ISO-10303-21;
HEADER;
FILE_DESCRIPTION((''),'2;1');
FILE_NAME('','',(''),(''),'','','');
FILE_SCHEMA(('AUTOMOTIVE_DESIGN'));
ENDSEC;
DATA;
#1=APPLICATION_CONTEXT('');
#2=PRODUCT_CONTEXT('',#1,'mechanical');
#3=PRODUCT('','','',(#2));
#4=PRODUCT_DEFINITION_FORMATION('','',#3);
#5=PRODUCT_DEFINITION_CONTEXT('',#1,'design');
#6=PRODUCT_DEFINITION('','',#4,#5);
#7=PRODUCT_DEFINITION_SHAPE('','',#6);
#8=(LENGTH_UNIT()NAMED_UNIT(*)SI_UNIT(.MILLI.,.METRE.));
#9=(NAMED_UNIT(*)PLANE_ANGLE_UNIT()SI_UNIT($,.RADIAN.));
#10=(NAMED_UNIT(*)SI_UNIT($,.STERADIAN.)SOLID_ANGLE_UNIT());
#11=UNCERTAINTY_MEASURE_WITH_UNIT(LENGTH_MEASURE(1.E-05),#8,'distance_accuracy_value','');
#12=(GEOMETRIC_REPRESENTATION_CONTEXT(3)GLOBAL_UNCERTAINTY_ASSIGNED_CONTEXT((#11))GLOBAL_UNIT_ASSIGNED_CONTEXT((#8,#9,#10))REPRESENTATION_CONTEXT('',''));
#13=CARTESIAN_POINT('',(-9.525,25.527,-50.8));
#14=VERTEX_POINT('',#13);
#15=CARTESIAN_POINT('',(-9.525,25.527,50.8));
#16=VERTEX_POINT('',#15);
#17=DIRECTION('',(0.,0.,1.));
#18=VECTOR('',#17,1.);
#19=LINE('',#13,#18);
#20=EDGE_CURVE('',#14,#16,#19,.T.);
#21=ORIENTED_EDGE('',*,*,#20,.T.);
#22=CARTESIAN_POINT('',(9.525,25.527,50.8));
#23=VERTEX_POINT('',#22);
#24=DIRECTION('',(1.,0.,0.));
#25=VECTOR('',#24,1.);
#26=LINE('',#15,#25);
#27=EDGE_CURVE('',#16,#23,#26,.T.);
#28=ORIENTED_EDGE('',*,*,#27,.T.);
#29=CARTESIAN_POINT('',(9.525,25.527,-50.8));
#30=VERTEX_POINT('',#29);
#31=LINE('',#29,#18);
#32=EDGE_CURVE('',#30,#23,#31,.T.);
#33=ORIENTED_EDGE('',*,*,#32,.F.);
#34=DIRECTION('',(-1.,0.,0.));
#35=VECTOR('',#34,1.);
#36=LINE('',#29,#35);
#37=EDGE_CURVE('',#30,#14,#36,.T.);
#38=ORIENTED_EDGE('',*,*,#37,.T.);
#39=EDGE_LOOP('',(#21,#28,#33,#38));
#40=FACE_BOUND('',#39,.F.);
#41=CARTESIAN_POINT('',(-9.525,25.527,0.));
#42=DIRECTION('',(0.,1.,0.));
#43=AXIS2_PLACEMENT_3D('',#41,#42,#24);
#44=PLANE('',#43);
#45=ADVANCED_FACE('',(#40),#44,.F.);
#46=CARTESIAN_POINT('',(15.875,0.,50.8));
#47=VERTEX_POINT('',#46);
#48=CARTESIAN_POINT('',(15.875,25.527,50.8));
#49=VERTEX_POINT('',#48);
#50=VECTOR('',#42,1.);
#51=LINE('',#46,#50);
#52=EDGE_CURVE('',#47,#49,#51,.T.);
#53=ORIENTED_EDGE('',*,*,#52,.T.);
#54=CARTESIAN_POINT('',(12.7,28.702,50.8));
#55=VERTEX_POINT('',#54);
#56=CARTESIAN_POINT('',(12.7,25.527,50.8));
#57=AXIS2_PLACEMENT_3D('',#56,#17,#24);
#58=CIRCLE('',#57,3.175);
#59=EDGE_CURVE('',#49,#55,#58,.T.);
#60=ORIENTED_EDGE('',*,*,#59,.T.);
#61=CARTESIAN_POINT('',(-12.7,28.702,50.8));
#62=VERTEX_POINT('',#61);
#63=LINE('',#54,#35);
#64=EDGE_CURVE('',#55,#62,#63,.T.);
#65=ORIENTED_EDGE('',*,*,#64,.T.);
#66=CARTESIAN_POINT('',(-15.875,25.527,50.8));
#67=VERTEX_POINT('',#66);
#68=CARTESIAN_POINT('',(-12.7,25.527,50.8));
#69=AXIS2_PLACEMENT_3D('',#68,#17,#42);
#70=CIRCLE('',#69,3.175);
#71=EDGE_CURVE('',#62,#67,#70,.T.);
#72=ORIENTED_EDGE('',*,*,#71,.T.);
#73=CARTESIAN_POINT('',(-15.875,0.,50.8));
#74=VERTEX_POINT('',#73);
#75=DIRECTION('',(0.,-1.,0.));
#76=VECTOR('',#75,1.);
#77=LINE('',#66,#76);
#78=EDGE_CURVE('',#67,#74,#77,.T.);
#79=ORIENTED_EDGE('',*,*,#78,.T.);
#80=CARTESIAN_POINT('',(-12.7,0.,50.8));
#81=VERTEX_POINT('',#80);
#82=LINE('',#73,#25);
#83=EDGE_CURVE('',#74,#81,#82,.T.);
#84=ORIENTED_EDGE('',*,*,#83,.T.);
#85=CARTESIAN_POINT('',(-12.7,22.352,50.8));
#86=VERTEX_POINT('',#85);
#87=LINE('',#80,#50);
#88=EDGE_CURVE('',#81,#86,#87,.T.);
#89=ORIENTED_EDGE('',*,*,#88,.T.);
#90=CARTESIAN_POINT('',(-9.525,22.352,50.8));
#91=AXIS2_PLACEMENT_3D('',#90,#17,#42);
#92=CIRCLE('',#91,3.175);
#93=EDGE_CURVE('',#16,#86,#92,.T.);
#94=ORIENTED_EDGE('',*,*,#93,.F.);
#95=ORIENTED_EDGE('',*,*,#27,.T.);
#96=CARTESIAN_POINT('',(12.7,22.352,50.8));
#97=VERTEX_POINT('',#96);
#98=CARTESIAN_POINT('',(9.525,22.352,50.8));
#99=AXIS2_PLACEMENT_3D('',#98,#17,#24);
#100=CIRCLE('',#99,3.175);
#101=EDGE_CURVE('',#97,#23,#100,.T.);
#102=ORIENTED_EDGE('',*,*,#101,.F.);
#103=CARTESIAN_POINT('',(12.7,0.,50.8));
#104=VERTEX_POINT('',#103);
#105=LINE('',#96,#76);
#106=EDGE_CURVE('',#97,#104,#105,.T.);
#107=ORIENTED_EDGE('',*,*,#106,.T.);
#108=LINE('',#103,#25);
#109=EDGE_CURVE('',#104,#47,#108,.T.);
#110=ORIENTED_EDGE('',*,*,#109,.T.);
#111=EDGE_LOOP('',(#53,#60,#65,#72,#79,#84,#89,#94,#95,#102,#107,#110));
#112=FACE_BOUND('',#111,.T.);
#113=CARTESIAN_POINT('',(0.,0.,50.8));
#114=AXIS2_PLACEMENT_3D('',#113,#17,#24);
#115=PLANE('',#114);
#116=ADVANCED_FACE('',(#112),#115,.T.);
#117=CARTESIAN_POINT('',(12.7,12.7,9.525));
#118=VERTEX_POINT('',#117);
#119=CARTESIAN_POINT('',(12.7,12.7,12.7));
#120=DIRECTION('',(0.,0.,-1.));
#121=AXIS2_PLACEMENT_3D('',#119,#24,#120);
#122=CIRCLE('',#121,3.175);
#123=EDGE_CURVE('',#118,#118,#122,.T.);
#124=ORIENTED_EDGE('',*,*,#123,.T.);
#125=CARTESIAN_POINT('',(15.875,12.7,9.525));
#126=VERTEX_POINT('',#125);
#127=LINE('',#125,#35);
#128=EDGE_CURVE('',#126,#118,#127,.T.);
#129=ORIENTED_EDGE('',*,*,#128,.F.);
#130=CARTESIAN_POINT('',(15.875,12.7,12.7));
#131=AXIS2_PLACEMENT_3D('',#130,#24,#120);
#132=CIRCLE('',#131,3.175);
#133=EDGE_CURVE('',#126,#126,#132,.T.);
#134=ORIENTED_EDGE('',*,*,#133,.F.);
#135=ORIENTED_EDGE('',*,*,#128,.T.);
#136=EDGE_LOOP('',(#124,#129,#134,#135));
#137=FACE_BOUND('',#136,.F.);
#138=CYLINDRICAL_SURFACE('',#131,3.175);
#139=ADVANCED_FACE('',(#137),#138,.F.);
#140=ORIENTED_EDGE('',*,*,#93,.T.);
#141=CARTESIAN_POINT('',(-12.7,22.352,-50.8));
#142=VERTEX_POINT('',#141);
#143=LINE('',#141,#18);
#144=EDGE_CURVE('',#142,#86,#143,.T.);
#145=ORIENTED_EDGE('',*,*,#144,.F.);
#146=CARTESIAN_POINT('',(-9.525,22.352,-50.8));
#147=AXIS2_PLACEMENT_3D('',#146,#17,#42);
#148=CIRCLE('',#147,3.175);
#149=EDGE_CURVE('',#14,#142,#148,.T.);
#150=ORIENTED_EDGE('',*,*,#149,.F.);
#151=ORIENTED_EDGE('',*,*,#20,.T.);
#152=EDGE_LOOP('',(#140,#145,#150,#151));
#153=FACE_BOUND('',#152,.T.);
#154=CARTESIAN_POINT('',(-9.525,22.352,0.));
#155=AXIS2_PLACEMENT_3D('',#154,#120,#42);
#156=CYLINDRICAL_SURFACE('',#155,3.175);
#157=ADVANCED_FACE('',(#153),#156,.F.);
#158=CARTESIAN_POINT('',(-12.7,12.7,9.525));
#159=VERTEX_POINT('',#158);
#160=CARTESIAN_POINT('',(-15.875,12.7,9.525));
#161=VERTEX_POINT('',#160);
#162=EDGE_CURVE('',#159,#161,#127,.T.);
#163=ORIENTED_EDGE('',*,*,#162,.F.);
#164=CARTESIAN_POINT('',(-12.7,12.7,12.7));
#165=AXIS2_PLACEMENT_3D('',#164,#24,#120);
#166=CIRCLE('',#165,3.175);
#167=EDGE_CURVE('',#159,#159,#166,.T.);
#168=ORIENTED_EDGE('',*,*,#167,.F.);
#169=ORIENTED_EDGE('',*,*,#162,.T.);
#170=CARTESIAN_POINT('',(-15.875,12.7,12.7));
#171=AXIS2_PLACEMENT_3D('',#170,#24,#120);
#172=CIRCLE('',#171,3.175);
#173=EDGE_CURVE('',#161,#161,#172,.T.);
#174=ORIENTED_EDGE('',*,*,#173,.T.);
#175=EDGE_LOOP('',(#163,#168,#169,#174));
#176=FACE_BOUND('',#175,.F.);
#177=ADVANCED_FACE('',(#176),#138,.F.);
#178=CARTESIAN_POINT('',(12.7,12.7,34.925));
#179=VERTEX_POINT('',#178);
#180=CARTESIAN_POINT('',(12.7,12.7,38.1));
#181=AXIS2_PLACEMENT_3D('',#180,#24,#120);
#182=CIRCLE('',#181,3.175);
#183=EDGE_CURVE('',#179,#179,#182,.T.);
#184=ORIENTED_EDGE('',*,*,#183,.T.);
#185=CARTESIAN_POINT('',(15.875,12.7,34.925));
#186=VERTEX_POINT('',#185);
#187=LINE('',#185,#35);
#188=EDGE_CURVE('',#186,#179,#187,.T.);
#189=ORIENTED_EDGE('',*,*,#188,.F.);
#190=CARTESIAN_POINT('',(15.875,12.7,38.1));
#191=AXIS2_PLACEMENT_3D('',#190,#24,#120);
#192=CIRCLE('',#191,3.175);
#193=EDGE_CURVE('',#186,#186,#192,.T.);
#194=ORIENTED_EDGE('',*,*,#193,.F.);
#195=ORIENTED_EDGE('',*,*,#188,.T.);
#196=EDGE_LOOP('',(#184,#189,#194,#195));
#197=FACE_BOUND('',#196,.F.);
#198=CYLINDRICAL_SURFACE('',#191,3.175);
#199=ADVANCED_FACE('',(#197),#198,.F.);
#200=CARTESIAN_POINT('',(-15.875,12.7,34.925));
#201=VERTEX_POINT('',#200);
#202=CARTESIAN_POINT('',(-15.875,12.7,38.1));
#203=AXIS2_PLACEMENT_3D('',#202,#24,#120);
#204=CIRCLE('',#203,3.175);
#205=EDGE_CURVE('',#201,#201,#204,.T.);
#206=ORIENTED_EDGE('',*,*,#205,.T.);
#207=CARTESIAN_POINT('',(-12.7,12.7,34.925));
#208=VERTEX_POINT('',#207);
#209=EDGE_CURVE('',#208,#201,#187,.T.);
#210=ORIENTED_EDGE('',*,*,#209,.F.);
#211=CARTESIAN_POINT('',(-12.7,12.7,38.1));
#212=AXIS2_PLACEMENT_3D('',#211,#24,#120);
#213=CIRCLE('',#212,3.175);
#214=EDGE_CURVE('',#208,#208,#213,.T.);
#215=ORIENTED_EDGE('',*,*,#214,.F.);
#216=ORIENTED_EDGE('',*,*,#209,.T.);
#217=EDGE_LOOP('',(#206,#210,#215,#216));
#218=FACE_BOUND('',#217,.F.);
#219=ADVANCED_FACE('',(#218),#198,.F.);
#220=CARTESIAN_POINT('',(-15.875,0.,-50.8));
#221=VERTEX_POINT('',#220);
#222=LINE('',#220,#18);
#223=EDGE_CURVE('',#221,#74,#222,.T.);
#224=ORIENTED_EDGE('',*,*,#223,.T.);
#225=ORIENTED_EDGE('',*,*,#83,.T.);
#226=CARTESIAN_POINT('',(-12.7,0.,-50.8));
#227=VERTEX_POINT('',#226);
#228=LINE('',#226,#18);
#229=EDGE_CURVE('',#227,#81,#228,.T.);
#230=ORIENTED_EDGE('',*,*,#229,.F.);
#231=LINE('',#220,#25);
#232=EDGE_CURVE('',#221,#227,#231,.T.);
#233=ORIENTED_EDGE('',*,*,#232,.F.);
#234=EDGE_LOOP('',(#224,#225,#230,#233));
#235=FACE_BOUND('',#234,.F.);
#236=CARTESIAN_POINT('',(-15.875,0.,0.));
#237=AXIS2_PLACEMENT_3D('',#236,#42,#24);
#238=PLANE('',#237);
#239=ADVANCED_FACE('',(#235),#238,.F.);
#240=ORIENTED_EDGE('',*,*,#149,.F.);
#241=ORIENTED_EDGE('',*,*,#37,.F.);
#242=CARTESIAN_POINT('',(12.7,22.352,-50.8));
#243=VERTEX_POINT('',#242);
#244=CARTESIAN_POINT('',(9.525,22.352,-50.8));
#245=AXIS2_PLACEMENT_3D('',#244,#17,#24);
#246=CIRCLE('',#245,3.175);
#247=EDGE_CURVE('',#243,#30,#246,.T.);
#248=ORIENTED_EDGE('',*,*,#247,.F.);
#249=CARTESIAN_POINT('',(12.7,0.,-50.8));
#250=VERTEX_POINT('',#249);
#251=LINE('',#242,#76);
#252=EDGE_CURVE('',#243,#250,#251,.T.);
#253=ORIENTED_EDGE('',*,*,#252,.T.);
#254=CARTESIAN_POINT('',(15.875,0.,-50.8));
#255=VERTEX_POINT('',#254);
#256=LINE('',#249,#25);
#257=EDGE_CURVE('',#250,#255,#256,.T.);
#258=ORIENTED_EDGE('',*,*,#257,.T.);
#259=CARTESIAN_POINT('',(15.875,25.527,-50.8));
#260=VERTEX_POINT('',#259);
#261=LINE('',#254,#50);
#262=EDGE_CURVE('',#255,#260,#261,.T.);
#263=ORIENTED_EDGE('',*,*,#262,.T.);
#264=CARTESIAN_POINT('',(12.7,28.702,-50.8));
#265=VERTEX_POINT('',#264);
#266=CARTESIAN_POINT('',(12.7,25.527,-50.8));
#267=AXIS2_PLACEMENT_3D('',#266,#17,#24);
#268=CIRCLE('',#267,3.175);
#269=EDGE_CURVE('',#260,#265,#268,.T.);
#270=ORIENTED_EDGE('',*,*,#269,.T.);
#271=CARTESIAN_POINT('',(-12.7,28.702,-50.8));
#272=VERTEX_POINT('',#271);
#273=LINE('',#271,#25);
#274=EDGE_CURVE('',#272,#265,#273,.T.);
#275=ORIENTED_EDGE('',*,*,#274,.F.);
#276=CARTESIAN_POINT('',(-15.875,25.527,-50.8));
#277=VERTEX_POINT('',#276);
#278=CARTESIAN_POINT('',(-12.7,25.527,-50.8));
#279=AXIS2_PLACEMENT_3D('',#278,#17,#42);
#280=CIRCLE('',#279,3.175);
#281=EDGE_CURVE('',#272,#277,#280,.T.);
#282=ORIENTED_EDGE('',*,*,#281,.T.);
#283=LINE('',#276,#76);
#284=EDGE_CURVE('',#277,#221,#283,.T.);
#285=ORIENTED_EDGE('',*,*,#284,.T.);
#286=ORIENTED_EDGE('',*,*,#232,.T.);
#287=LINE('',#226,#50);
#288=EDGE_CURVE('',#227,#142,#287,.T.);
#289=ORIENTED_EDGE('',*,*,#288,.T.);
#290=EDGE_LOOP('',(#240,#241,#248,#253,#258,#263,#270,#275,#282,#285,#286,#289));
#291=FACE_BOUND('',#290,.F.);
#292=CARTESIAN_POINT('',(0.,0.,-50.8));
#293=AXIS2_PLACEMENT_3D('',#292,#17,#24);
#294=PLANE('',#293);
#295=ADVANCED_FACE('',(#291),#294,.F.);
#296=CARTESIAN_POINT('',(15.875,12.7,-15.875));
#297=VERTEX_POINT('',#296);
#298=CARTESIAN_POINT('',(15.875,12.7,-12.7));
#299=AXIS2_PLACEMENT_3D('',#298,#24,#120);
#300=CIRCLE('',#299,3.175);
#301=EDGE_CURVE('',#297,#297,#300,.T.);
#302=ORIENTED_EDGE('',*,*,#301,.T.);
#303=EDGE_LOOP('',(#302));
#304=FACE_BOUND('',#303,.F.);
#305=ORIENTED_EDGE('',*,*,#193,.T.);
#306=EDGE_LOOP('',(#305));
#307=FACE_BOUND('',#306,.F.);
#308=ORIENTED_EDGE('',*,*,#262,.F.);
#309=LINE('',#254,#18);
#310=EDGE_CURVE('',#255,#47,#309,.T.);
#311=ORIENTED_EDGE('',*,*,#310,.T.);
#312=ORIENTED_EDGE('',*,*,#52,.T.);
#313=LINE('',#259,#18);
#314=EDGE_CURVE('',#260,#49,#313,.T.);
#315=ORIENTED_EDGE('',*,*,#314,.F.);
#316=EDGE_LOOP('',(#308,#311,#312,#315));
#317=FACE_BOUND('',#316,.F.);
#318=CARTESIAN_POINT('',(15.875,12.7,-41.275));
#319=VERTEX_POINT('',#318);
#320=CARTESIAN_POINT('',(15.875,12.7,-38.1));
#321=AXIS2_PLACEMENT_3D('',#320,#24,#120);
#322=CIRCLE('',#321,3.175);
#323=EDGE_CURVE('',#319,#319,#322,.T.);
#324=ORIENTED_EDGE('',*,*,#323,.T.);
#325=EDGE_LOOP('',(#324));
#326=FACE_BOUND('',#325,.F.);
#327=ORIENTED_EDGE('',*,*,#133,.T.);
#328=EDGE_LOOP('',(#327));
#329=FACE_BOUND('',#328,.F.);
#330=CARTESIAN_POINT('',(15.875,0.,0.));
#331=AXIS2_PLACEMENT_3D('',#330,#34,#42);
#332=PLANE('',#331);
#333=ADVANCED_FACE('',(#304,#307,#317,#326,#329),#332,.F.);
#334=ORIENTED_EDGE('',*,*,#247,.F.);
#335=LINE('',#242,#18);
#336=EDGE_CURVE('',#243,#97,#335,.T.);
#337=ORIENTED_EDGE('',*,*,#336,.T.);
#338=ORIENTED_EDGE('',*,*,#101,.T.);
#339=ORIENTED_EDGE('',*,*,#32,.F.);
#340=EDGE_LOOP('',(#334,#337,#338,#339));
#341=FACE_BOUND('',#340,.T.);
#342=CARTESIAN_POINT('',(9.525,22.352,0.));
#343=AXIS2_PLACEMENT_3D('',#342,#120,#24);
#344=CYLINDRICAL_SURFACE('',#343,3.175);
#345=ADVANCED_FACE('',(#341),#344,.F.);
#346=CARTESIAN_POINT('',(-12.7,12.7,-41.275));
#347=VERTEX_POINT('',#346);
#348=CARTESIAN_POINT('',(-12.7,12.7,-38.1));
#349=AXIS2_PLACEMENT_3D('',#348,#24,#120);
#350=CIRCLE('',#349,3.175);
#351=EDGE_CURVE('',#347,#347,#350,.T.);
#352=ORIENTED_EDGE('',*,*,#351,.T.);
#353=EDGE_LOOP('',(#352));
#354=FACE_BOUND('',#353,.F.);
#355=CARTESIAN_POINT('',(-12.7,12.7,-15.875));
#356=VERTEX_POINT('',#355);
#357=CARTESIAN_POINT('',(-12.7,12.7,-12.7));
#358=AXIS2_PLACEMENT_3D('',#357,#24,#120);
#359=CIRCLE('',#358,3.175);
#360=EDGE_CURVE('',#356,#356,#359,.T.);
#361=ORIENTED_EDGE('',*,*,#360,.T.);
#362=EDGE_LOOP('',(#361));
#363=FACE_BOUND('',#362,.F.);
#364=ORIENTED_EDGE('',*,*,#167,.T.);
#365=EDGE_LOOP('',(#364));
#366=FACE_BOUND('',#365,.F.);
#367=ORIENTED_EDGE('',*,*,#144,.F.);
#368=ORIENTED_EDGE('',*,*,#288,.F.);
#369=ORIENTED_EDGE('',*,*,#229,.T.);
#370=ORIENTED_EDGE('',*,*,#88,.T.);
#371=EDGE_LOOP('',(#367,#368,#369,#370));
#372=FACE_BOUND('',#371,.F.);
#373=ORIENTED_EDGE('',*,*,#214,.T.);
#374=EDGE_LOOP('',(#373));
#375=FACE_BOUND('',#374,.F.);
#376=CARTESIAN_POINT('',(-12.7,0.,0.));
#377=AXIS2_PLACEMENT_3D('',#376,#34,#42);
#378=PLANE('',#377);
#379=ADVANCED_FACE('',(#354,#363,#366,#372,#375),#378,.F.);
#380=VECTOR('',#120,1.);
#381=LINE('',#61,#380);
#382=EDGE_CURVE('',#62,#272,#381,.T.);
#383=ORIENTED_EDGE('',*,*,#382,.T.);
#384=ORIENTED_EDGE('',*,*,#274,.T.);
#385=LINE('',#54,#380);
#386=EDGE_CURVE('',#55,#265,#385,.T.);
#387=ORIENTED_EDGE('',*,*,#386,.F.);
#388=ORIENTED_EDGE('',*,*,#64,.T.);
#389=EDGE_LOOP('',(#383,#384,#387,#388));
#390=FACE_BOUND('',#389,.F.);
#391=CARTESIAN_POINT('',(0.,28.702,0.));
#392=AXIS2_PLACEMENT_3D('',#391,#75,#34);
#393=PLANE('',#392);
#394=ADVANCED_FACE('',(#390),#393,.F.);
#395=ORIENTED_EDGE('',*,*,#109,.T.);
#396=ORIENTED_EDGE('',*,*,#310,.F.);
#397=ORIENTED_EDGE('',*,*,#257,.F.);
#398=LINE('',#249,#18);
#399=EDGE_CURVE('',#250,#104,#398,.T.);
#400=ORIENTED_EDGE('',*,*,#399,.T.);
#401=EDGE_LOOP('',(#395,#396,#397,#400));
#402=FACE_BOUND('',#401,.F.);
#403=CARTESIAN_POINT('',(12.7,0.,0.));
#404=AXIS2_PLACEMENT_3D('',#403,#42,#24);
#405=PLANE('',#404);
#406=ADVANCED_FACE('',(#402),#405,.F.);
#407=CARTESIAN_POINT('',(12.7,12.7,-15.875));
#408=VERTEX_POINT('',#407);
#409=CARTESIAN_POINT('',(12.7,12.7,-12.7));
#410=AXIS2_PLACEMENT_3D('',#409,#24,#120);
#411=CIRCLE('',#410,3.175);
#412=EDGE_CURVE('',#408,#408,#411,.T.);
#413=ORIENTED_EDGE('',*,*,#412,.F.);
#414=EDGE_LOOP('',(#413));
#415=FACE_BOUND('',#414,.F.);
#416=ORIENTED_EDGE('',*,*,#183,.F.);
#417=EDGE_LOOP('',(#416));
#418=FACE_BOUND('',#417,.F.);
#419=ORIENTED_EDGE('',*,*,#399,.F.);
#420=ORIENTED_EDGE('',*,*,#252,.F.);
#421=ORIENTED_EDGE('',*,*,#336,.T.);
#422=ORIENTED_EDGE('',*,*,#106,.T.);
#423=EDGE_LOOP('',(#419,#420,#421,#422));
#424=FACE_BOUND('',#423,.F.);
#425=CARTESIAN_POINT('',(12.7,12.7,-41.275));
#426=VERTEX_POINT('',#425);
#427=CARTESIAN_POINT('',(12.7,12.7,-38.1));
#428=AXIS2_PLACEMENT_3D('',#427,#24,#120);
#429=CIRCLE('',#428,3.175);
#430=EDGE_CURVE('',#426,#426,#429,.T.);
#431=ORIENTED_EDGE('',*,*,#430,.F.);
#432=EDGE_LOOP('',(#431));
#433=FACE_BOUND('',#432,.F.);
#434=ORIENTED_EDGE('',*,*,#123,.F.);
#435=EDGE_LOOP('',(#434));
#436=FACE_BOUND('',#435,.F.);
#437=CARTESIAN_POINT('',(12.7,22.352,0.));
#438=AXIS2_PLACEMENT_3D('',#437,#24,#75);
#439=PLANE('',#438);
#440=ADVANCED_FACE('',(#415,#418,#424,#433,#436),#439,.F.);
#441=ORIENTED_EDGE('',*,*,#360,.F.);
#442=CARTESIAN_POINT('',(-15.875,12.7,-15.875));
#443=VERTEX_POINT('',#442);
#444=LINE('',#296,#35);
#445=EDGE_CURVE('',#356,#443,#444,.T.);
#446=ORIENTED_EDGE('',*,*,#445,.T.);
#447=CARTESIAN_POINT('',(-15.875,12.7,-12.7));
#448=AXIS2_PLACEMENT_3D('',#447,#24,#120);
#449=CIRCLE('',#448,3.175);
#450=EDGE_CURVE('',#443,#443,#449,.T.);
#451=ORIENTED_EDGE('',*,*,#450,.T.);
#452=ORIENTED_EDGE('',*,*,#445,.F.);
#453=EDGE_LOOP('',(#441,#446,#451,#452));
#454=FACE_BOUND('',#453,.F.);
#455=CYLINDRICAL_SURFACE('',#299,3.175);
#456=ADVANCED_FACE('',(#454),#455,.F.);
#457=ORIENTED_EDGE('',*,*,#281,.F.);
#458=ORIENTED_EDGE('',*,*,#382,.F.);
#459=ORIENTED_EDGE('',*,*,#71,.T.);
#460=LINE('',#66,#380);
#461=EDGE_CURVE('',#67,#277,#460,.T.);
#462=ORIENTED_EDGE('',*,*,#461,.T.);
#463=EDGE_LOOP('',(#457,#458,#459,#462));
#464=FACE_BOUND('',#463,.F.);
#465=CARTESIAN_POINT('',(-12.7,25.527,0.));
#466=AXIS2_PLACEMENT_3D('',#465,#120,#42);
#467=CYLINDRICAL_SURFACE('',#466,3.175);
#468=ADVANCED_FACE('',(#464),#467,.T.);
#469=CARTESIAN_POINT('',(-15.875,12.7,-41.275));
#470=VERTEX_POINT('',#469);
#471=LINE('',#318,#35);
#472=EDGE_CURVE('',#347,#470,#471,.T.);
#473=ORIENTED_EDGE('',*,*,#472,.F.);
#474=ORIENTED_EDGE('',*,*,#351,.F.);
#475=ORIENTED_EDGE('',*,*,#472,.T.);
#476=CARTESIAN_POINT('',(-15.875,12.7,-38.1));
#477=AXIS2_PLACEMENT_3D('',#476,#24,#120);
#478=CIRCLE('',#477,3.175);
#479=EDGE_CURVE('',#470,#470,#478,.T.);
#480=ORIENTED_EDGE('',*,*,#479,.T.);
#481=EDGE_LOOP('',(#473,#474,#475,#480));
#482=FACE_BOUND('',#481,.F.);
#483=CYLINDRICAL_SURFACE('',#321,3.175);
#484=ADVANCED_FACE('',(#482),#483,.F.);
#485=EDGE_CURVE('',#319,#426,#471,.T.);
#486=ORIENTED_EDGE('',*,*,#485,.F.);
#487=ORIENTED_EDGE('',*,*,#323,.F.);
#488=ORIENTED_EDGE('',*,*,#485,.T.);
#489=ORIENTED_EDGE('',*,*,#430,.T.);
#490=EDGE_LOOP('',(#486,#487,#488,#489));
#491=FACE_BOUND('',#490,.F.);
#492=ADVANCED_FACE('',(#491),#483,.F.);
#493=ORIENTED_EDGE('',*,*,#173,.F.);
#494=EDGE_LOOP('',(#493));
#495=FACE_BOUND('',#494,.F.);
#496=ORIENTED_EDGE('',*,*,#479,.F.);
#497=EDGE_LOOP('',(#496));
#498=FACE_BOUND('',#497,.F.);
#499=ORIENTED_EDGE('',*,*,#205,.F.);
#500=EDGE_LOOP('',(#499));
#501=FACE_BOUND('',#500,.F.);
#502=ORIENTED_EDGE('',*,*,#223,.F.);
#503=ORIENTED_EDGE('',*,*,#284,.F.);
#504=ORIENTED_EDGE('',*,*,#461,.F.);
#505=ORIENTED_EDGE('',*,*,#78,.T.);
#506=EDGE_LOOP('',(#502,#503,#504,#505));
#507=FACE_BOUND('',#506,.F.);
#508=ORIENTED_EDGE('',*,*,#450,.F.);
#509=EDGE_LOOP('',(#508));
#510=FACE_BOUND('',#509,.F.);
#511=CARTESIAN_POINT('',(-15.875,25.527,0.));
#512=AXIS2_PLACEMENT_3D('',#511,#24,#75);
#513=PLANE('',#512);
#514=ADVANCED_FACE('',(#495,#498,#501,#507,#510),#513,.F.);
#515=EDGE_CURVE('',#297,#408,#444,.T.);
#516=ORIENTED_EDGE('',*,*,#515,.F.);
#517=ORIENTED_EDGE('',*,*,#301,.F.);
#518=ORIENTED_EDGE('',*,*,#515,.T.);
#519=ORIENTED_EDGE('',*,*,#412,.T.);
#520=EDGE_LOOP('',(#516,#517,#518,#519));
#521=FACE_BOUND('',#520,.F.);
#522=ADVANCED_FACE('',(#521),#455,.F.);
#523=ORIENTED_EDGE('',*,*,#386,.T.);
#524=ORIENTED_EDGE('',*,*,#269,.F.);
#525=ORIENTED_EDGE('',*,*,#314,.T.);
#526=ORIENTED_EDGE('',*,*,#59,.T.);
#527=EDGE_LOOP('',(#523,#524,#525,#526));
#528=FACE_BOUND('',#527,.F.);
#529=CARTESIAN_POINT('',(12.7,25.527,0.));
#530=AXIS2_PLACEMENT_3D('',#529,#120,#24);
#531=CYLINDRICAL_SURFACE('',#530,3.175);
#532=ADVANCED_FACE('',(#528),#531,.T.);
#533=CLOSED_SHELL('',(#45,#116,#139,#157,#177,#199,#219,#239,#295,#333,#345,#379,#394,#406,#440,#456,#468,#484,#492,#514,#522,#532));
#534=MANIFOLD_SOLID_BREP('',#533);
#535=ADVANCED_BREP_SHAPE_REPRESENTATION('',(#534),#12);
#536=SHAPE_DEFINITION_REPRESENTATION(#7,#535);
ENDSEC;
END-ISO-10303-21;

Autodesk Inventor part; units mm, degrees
ref_plane "YZ Plane" through (0, 0, 0) normal (1, 0, 0) x (0, 1, 0)
ref_plane "XZ Plane" through (0, 0, 0) normal (0, 1, 0) x (-1, 0, 0)
ref_plane "XY Plane" through (0, 0, 0) normal (0, 0, 1) x (1, 0, 0)
sketch "Sketch1" plane through (0, 0, 0) normal (0, 0, 1) x (1, 0, 0)
  line L0 (-15.875, 0) -> (-12.7, 0)
  line L1 (-12.7, 0) -> (-12.7, 22.352)
  line L2 (-9.525, 25.527) -> (9.525, 25.527)
  line L3 (12.7, 22.352) -> (12.7, 0)
  line L4 (12.7, 0) -> (15.875, 0)
  line L5 (15.875, 0) -> (15.875, 25.527)
  line L6 (12.7, 28.702) -> (-12.7, 28.702)
  line L7 (-15.875, 25.527) -> (-15.875, 0)
  arc A0 (-9.525, 25.527) -> (-12.7, 22.352) centre (-9.525, 22.352) ccw
  arc A1 (12.7, 22.352) -> (9.525, 25.527) centre (9.525, 22.352) ccw
  arc A2 (-12.7, 28.702) -> (-15.875, 25.527) centre (-12.7, 25.527) ccw
  arc A3 (15.875, 25.527) -> (12.7, 28.702) centre (12.7, 25.527) ccw
  line L8 (0, 35.2315) -> (0, -5.8719) projected
  point P0 (0, 0)
  dimension "d0" = 28.702
  dimension "d1" = 31.75
  dimension "d2" = 3.175
  dimension "d3" = 3.175
  dimension "d4" = 3.175
extrude "Extrusion1" add sketch "Sketch1" along normal mid plane 101.6
sketch "Sketch4" plane through (15.875, 0, 50.8) normal (1, 0, 0) x (0, 0, -1)
  line L0 (50.8, -5.7404) -> (50.8, 34.4424) construction
  line L1 (-33.655, 0) -> (201.93, 0) construction
  circle A0 centre (63.5, 12.7) radius 3.175
  point P0 (50.8, 0)
  dimension "d34" = 12.7
  dimension "d35" = 12.7
  dimension "d36" = 6.35
extrude "Extrusion4" cut sketch "Sketch4" against normal up to surface (31.75 mm away)
pattern_linear "Rectangular Pattern3" count 30 spacing 25.4 along (0, 0, 1) count 30 spacing 25.4 along (0, 0, -1) of "Extrusion4"
equation "\"d5\" = ExtensionLen"
equation "\"ExtensionLen\" = 101.6"
properties part number "NTowerChannelMotor" material "Aluminum 6061"
